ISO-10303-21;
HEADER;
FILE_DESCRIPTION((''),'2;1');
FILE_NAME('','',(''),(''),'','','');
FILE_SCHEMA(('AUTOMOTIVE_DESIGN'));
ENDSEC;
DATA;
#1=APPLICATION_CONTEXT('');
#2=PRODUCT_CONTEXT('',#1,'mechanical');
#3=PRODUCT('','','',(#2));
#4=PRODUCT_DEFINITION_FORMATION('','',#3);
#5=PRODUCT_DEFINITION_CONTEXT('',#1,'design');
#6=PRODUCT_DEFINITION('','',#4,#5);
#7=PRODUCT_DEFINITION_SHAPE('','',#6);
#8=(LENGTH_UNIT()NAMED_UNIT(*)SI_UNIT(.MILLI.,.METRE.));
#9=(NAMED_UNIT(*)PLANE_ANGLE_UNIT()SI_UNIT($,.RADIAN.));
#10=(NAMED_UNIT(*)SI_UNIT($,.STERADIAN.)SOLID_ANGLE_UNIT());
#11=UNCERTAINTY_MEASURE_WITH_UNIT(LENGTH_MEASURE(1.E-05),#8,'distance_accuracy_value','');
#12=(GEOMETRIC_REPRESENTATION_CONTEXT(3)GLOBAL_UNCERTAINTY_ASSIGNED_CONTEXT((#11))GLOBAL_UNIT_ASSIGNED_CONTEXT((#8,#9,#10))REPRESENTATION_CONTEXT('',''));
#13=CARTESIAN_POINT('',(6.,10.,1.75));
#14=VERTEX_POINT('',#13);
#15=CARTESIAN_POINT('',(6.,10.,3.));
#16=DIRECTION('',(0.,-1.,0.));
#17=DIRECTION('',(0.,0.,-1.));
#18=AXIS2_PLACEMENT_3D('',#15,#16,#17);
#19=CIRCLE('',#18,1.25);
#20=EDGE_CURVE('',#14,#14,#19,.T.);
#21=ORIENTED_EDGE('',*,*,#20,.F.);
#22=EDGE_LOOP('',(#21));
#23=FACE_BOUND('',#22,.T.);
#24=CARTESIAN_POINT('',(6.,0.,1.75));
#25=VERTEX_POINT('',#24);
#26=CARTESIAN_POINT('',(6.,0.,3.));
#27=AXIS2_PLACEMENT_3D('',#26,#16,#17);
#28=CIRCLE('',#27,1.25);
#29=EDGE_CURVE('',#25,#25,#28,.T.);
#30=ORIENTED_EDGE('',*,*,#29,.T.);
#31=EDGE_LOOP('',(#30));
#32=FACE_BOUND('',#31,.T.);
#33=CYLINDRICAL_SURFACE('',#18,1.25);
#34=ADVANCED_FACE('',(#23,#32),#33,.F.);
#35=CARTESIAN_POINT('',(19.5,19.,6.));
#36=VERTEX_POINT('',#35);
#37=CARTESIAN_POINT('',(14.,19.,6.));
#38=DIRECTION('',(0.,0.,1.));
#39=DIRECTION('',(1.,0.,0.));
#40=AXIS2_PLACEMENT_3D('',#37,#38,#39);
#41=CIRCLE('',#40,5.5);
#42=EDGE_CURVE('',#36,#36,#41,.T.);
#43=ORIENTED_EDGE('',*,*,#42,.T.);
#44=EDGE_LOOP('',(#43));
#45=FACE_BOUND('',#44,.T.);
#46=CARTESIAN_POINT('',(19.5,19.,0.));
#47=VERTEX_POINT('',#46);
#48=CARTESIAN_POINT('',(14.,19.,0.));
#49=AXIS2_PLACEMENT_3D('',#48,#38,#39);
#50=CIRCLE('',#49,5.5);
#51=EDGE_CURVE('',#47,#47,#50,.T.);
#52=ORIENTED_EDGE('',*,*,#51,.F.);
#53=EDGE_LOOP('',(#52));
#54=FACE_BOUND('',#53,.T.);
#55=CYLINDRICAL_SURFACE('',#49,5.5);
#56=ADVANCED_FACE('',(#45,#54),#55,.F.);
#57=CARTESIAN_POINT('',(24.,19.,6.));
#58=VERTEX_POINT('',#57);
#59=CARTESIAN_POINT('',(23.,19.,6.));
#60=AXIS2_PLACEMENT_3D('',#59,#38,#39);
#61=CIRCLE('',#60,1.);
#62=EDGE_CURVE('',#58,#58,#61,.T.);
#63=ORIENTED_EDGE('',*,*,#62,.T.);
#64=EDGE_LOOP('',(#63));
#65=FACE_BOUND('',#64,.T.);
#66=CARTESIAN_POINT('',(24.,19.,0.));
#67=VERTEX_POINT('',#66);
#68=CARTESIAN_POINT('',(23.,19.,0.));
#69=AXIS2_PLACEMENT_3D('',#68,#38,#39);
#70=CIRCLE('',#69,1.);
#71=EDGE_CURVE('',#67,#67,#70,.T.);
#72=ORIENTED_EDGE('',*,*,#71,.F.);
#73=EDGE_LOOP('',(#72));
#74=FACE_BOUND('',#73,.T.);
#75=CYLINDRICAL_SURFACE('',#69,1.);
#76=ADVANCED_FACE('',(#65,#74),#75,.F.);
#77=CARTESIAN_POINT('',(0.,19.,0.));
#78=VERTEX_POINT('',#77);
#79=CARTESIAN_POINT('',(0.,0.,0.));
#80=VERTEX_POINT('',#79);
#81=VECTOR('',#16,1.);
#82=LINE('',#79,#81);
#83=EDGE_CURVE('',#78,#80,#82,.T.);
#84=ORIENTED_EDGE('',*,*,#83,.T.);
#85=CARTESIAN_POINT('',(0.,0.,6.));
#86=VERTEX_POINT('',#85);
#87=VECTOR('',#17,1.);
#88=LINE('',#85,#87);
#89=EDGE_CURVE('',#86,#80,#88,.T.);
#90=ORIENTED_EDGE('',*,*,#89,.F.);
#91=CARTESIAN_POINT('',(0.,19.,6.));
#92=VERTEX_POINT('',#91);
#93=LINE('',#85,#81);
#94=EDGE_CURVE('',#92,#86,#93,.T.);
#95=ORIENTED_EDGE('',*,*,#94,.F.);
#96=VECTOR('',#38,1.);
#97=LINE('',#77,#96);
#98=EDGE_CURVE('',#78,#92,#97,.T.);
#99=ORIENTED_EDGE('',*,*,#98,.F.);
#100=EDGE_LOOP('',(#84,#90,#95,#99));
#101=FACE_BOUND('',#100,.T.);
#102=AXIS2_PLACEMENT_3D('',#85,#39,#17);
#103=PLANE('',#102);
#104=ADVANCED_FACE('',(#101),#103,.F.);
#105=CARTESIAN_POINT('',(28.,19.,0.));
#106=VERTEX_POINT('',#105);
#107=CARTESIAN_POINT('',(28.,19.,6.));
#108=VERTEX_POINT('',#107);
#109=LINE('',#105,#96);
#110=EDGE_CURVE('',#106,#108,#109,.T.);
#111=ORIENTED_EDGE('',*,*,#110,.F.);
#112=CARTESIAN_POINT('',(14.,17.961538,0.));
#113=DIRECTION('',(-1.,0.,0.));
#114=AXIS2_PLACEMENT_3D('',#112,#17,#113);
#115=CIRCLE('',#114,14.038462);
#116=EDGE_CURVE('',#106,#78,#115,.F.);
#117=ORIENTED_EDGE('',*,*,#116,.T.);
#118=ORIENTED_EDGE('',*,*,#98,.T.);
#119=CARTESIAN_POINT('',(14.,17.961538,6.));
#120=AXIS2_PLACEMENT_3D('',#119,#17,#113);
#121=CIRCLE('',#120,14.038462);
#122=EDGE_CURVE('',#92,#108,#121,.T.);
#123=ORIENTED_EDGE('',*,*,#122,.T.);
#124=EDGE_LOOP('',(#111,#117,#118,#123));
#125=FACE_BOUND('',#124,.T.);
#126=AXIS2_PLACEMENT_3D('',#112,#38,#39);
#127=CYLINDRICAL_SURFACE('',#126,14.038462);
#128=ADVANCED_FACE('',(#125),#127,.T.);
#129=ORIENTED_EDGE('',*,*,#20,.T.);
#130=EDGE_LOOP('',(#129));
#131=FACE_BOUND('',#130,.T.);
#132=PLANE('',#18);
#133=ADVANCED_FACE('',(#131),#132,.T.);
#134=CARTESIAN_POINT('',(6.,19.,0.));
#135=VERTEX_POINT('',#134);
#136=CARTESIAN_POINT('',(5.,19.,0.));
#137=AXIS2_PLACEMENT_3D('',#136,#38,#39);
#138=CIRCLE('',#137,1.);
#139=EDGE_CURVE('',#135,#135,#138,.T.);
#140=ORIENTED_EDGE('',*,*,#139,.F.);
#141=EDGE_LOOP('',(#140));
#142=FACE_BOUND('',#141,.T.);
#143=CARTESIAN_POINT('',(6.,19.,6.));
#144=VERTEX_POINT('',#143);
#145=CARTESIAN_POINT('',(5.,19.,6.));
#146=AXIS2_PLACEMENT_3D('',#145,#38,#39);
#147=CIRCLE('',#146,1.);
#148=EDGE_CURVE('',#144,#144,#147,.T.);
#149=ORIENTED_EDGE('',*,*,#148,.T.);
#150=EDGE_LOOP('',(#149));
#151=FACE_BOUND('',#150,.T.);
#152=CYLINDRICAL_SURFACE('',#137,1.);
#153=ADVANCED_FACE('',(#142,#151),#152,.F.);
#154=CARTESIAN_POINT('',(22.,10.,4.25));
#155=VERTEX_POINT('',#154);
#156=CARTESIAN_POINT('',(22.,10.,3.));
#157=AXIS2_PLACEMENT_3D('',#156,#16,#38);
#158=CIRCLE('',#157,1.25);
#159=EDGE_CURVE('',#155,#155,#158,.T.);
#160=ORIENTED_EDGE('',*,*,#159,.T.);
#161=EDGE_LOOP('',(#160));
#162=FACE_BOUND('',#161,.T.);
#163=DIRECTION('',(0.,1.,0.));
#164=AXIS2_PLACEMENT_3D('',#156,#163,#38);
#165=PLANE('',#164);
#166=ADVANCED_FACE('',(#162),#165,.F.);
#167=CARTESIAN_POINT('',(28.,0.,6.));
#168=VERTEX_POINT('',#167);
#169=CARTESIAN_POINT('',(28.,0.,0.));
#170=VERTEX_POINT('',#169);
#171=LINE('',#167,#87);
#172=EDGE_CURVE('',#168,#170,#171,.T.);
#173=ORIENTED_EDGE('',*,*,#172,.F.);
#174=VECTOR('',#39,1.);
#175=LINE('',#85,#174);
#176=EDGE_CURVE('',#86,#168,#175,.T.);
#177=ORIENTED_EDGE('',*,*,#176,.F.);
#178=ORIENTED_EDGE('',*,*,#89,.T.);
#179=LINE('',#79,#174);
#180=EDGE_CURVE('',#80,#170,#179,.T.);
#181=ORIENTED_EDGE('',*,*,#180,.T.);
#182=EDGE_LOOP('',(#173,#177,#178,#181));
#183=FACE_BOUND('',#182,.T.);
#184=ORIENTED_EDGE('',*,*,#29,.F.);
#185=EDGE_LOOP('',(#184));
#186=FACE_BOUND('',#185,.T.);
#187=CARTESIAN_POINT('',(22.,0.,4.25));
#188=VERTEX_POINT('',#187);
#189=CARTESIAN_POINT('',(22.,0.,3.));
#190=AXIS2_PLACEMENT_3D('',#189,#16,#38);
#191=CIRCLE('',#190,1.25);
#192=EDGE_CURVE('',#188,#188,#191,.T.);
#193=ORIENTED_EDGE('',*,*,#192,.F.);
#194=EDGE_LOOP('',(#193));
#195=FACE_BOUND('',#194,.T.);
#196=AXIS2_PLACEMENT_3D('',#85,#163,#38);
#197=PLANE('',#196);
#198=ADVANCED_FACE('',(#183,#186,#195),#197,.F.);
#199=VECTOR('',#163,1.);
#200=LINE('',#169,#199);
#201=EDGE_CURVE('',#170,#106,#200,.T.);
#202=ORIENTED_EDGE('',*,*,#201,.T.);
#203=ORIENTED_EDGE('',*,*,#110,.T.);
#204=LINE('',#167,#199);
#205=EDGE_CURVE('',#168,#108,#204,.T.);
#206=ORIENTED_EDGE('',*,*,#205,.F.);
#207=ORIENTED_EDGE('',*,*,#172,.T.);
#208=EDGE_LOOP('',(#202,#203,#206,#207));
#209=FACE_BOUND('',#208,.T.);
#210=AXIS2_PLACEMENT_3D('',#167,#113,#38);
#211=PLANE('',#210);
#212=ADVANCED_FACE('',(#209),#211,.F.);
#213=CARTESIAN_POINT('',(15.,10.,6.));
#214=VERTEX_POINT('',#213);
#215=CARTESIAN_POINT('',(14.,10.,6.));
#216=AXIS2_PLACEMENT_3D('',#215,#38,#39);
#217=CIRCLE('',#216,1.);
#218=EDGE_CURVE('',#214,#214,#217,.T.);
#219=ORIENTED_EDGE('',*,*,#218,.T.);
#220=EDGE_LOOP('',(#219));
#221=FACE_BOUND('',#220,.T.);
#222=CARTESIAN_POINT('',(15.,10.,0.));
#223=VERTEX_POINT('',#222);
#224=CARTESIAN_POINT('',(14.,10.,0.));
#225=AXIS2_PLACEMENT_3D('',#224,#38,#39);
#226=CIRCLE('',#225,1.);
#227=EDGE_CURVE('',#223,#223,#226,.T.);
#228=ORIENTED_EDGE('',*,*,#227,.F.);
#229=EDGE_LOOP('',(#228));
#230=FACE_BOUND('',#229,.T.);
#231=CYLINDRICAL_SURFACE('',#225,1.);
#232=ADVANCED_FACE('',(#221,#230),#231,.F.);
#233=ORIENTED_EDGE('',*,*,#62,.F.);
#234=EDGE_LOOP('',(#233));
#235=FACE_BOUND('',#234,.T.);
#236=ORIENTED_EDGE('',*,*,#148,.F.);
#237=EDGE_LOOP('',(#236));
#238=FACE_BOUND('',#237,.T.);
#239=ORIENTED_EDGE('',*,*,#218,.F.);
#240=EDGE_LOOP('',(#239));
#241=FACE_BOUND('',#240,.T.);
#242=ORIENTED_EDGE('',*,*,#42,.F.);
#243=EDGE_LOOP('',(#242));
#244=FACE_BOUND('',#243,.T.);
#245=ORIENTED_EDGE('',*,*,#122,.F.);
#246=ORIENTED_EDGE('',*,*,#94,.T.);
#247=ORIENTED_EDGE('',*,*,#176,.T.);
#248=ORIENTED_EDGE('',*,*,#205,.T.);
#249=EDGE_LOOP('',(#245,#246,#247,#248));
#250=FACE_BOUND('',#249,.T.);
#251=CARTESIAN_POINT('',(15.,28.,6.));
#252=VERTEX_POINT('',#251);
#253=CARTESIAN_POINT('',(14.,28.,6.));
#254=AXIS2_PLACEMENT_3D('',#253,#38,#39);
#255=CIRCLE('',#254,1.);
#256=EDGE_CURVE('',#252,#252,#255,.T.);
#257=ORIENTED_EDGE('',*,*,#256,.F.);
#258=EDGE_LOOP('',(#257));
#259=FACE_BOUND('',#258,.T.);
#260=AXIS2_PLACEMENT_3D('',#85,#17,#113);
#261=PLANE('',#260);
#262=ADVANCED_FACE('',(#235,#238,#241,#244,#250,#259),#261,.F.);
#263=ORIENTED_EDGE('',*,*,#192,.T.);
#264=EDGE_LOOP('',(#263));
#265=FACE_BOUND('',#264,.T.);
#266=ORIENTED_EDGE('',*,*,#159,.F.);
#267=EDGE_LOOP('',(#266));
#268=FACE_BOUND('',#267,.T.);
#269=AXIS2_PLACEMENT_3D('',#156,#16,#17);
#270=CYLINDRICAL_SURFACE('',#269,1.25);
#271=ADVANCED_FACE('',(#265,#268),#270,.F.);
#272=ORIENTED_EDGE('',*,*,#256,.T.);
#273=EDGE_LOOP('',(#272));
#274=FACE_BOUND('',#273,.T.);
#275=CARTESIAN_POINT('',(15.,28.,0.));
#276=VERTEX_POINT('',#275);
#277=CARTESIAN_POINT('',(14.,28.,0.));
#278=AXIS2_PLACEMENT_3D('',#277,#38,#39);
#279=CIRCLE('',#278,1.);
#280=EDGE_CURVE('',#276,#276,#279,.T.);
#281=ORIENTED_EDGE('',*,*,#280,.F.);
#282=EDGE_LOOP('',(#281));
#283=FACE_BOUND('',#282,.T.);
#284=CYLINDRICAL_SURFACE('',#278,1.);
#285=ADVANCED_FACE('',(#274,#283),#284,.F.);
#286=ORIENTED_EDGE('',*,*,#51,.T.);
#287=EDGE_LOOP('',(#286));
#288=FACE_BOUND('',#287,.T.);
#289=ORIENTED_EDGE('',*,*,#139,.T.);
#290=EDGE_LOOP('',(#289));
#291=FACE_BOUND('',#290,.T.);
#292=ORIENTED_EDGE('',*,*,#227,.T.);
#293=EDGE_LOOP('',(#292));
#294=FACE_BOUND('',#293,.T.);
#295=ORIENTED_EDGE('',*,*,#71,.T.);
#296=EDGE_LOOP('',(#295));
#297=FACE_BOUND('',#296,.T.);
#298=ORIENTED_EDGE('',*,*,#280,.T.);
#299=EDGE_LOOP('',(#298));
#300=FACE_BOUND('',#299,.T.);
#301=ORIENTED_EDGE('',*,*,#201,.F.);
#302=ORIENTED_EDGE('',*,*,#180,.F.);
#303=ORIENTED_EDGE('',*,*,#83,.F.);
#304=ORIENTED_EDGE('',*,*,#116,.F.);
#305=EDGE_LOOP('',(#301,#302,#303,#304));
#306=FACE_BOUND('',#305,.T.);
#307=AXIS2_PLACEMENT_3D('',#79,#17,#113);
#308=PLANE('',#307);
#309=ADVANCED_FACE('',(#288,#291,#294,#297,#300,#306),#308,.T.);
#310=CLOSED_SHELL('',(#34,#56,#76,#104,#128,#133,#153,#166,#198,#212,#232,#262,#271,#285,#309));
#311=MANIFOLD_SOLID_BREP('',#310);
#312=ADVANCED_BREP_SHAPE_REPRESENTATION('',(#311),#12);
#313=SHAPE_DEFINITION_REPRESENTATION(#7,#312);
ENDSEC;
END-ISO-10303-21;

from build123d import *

# Parameters (mm, degrees)
ESQUISSE1_W             = 28
ESQUISSE1_H             = 32
BOSS_EXTRU_1_DEPTH      = 6
ESQUISSE2_R             = 1.25
ENL_V_MAT_EXTRU_1_DEPTH = 10
ESQUISSE3_R             = 5.5
ENL_V_MAT_EXTRU_2_DEPTH = 43.941821107
ESQUISSE4_R             = 1
ENL_V_MAT_EXTRU_4_DEPTH = 43.941821107
ENL_V_MAT_EXTRU_5_DEPTH = 43.941821107


with BuildPart() as part:
    # Esquisse1 → Boss.-Extru.1 (new body)
    with BuildSketch(Plane.XY):
        with Locations((14, 16)):
            Rectangle(ESQUISSE1_W, ESQUISSE1_H)
    extrude(amount=BOSS_EXTRU_1_DEPTH)

    # Esquisse2 → Enlèv. mat.-Extru.1 (cut)
    with BuildSketch(Plane.XZ):
        with Locations(Location((6, 3, 0), (0, 0, 270))):
            Circle(ESQUISSE2_R)
        with Locations(Location((22, 3, 0), (0, 0, 90))):
            Circle(ESQUISSE2_R)
    extrude(amount=-ENL_V_MAT_EXTRU_1_DEPTH, mode=Mode.SUBTRACT)

    # Esquisse3 → Enlèv. mat.-Extru.2 (cut, through all)
    with BuildSketch(Plane.XY.offset(6)):
        with Locations((14, 19)):
            Circle(ESQUISSE3_R)
    extrude(amount=-ENL_V_MAT_EXTRU_2_DEPTH, mode=Mode.SUBTRACT)

    # Esquisse4 → Enlèv. mat.-Extru.4 (cut, through all)
    with BuildSketch(Plane.XY.offset(6)):
        with Locations((14, 10)):
            Circle(ESQUISSE4_R)
        with Locations((5, 19)):
            Circle(ESQUISSE4_R)
        with Locations((14, 28)):
            Circle(ESQUISSE4_R)
        with Locations((23, 19)):
            Circle(ESQUISSE4_R)
    extrude(amount=-ENL_V_MAT_EXTRU_4_DEPTH, mode=Mode.SUBTRACT)

    # Esquisse5 → Enlèv. mat.-Extru.5 (cut, through all)
    with BuildSketch(Plane.XY.offset(6)):
        with BuildLine():
            Line((0, 19), (0, 33))
            Line((0, 33), (28, 33))
            Line((28, 33), (28, 19))
            ThreePointArc((28, 19), (14, 32), (0, 19))
        make_face()
    extrude(amount=-ENL_V_MAT_EXTRU_5_DEPTH, mode=Mode.SUBTRACT)


solid = part.part
